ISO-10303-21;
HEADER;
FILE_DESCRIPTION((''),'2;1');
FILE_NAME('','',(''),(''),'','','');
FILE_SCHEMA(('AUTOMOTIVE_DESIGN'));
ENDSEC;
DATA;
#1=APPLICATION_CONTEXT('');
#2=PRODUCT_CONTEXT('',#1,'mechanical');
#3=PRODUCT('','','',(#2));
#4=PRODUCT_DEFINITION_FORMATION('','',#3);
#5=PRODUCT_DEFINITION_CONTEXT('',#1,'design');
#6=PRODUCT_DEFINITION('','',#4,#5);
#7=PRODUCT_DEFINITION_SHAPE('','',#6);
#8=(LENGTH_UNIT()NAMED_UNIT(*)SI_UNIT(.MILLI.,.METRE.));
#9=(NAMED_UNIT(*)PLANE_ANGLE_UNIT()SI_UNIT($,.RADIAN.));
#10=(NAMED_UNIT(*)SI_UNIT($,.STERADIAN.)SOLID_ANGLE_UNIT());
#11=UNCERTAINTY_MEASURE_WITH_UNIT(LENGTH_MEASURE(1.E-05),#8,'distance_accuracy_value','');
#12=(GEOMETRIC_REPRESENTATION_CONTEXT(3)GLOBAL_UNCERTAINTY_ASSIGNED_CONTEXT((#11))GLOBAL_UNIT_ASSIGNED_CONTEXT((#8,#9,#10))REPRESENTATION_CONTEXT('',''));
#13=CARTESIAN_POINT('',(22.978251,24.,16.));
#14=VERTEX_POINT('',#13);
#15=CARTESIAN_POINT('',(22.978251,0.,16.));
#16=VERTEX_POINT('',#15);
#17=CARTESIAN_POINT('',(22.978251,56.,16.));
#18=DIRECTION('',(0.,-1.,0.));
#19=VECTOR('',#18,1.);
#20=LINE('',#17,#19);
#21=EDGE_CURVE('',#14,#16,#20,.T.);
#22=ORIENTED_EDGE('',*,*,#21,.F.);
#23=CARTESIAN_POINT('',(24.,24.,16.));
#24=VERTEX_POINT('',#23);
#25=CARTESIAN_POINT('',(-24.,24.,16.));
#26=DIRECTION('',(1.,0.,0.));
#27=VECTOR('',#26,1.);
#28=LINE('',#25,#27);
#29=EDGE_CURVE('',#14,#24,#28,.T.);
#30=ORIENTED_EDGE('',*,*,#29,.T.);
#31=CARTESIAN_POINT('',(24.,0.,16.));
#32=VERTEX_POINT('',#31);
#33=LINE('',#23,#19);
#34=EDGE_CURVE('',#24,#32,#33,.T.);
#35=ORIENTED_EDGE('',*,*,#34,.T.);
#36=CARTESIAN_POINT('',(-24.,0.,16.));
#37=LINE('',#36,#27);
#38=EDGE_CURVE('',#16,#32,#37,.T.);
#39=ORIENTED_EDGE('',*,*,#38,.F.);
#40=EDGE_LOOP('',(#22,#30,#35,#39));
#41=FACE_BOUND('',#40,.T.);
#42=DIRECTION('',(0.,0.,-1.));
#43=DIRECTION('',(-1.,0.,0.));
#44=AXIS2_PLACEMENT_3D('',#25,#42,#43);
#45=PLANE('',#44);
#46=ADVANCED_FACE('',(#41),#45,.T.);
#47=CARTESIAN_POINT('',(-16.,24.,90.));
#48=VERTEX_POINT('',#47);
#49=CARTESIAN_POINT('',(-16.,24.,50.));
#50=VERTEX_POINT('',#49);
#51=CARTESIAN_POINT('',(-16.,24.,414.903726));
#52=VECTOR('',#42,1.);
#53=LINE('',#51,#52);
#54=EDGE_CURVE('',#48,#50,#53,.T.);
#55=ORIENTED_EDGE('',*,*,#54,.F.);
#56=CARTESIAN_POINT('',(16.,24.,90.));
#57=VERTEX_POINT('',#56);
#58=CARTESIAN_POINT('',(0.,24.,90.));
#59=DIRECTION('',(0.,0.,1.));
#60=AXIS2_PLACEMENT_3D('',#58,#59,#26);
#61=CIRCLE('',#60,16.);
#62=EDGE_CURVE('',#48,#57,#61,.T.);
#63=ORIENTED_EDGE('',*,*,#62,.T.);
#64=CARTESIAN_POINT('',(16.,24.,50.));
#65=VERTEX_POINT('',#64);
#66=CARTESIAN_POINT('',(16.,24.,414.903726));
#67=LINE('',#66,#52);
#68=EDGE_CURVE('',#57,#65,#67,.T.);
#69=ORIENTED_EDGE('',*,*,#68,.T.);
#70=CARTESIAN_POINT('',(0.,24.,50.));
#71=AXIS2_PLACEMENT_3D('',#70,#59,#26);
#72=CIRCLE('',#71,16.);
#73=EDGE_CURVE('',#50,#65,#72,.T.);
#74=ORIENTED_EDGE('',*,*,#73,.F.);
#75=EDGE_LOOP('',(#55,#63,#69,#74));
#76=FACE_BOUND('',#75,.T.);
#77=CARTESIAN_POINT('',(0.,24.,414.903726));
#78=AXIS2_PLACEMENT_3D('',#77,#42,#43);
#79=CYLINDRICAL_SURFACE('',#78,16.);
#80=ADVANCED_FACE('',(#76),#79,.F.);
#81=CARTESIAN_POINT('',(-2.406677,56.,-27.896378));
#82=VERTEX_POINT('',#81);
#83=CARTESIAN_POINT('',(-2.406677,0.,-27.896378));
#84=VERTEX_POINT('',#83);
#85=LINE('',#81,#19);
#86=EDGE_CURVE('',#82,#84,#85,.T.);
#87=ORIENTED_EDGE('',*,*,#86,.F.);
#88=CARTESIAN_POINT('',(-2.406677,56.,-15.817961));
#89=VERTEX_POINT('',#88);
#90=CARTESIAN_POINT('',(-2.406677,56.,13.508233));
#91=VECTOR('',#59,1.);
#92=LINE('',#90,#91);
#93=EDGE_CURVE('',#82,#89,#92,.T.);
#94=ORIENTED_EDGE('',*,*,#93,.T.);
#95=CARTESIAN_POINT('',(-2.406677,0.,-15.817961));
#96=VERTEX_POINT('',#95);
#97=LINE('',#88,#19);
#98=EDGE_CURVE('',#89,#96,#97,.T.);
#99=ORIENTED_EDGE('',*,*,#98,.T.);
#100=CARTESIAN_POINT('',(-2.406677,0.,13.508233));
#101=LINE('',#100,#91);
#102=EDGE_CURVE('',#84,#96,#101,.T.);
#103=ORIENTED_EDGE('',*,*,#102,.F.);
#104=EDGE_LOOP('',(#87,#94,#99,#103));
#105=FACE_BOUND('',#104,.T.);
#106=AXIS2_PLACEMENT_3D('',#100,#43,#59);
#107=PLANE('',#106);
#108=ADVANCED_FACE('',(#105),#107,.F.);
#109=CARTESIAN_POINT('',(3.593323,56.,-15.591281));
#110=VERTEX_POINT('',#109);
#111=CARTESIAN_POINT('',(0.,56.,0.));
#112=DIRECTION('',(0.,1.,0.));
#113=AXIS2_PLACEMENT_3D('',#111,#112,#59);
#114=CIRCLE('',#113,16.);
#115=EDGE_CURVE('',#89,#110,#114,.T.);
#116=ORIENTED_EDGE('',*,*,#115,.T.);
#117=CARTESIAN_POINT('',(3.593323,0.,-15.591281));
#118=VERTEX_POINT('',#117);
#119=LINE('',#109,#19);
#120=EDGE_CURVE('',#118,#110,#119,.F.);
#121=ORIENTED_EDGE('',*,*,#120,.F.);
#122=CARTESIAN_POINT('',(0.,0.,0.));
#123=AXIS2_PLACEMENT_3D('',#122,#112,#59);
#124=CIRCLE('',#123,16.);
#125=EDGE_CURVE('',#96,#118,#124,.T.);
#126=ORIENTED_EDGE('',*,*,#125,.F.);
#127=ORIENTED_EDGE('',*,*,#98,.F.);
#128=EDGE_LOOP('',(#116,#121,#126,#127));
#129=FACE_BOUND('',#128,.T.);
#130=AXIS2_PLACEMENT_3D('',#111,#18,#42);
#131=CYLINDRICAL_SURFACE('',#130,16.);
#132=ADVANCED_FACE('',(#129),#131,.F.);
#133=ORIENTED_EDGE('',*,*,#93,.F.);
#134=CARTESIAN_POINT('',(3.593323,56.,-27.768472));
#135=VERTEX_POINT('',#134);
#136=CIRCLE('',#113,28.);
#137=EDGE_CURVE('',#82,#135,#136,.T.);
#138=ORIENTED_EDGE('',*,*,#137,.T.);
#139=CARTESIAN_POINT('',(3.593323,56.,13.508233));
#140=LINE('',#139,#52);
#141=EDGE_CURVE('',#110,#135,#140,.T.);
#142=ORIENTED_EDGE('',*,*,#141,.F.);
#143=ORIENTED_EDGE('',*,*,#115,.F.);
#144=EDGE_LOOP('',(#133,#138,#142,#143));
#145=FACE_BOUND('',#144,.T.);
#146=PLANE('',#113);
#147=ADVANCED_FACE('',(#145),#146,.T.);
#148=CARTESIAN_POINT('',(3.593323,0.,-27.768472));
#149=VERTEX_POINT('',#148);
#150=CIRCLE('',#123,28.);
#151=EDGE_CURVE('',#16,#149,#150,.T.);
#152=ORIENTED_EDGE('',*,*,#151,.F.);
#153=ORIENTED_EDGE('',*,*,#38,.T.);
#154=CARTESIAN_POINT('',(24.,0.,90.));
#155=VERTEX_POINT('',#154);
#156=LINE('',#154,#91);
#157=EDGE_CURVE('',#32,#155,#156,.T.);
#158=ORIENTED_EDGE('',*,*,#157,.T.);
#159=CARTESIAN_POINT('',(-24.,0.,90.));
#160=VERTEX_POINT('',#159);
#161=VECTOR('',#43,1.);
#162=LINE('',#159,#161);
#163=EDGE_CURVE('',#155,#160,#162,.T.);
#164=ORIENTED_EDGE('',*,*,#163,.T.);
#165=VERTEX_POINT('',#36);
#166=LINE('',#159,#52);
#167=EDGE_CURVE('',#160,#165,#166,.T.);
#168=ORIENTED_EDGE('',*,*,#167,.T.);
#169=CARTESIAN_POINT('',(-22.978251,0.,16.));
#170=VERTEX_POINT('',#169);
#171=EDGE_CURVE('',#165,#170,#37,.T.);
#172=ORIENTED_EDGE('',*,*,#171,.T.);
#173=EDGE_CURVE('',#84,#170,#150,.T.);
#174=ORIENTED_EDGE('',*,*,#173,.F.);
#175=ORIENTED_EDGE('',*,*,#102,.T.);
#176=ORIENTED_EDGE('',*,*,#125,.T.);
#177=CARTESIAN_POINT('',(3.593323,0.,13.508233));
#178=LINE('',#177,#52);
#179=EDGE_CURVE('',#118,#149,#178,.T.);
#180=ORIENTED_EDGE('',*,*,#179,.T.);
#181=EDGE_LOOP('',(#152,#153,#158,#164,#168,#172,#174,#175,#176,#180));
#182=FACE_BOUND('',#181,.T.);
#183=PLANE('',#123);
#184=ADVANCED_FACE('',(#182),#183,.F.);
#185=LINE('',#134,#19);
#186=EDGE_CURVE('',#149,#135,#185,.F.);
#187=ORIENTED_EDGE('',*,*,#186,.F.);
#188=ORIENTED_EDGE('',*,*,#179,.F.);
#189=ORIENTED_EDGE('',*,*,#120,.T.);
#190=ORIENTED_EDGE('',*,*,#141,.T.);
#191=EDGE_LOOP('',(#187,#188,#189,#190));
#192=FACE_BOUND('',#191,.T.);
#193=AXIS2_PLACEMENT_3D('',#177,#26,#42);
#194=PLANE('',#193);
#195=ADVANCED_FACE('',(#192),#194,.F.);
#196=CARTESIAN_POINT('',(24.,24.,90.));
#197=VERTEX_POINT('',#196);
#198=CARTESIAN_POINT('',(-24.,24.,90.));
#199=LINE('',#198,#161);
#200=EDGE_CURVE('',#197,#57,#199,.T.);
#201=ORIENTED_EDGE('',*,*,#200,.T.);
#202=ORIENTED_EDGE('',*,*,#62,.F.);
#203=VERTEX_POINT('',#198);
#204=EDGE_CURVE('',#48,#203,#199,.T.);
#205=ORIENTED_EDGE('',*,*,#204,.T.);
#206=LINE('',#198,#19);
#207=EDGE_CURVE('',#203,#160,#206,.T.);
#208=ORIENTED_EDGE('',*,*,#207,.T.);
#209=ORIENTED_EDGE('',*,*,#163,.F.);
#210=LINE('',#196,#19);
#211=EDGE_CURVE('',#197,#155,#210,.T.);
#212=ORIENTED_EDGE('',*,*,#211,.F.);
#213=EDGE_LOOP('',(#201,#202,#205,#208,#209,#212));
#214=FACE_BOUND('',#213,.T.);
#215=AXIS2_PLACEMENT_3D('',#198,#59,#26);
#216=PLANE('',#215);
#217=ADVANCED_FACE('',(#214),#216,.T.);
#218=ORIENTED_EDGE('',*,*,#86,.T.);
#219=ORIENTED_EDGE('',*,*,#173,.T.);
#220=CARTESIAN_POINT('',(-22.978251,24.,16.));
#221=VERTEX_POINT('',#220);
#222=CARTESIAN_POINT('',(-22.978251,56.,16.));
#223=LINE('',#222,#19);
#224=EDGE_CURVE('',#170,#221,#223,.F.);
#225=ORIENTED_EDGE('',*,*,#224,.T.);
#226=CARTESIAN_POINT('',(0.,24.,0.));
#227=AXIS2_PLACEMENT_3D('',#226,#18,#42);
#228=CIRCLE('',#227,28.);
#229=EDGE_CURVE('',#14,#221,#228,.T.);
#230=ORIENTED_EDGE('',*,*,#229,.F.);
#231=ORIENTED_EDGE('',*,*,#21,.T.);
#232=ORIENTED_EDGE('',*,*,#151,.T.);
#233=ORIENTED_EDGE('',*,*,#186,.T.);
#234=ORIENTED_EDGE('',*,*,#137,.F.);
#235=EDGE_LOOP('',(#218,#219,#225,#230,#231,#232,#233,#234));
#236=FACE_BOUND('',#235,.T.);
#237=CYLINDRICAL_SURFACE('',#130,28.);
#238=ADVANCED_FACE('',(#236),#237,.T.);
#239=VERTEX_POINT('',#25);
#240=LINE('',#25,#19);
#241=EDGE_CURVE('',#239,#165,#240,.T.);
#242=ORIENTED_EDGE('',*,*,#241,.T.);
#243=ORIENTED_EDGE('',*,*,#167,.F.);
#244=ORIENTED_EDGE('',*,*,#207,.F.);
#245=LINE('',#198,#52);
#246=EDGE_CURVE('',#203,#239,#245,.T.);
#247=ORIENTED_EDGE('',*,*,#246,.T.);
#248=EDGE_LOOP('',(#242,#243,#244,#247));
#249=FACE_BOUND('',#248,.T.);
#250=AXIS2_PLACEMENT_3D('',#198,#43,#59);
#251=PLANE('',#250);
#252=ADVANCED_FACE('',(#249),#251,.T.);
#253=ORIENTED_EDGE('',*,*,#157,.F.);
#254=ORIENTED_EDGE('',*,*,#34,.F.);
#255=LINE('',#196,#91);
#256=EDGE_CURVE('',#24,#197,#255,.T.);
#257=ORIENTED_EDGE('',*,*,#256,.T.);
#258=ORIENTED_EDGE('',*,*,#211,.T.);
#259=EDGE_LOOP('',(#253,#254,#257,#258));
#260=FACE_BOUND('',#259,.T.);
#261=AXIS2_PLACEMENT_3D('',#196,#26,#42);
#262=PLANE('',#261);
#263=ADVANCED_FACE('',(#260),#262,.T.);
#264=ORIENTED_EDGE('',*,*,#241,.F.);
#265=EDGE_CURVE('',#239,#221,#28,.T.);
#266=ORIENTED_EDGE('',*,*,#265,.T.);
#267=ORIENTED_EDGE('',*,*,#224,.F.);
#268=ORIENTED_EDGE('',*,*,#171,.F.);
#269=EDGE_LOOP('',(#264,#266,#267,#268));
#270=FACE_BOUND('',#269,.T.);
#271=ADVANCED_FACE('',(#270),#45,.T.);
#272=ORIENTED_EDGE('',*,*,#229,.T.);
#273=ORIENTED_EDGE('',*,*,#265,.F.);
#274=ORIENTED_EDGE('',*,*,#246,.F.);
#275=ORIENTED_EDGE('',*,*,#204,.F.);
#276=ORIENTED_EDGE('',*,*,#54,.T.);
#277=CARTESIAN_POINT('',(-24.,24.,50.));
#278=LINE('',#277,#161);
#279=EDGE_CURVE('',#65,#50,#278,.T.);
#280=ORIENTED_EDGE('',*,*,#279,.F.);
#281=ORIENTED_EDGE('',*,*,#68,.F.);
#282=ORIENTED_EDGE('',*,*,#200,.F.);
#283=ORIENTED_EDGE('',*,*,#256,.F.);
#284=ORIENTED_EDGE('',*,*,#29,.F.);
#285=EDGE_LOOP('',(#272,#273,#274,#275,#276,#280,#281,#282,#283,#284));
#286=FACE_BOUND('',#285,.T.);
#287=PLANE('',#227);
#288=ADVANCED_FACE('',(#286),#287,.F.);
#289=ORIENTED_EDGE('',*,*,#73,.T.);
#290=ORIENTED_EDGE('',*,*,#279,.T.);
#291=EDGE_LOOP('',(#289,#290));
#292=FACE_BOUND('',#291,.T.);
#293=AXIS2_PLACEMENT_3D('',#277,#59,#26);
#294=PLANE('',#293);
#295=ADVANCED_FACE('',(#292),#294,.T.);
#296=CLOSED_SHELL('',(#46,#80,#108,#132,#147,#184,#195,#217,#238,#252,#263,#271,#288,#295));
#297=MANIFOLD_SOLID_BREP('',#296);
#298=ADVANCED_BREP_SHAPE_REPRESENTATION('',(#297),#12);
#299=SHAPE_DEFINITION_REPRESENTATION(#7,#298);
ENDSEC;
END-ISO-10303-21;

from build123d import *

# Parameters (mm, degrees)
SKETCH1_R               = 28
SKETCH1_R_2             = 16
BOSS_EXTRUDE1_DEPTH     = 56
SKETCH2_W               = 6
SKETCH2_H               = 44.450735801
CUT_EXTRUDE1_DEPTH      = 56
SKETCH3_W               = 48
SKETCH3_H               = 74
BOSS_EXTRUDE2_DEPTH     = 24
CUT_EXTRUDE4_DEPTH      = 134.489909528
CUT_EXTRUDE4_DEPTH_BACK = 40


with BuildPart() as part:
    # Sketch1 → Boss-Extrude1 (new body)
    with BuildSketch(Plane(origin=(0, 0, 0), x_dir=(1, 0, 0), z_dir=(0, 1, 0))):
        with Locations(Location((0, 0, 0), (0, 0, 270))):
            Circle(SKETCH1_R)
        with Locations(Location((0, 0, 0), (0, 0, 270))):
            Circle(SKETCH1_R_2, mode=Mode.SUBTRACT)
    extrude(amount=BOSS_EXTRUDE1_DEPTH)

    # Sketch2 → Cut-Extrude1 (cut)
    with BuildSketch(Plane(origin=(0, 56, 0), x_dir=(1, 0, 0), z_dir=(0, 1, 0))):
        with Locations((0.593322954, 8.717135315)):
            Rectangle(SKETCH2_W, SKETCH2_H)
    extrude(amount=-CUT_EXTRUDE1_DEPTH, mode=Mode.SUBTRACT)

    # Sketch3 → Boss-Extrude2 (add)
    with BuildSketch(Plane.XZ):
        with Locations((0, 53)):
            Rectangle(SKETCH3_W, SKETCH3_H)
    extrude(amount=-BOSS_EXTRUDE2_DEPTH)

    # Sketch4 → Cut-Extrude4 (cut, two sides: drawn at the far end of the back side and taken through both)
    with BuildSketch(Plane.XY.offset(90).offset(-CUT_EXTRUDE4_DEPTH_BACK)):
        with BuildLine():
            Line((-16, 142.81176407), (-16, 24))
            ThreePointArc((-16, 24), (0, 8), (16, 24))
            Line((16, 24), (16, 142.81176407))
            Line((16, 142.81176407), (16, 380.43529221))
            Line((16, 380.43529221), (-16, 380.43529221))
            Line((-16, 380.43529221), (-16, 142.81176407))
        make_face()
    extrude(amount=CUT_EXTRUDE4_DEPTH + CUT_EXTRUDE4_DEPTH_BACK, mode=Mode.SUBTRACT)


solid = part.part
